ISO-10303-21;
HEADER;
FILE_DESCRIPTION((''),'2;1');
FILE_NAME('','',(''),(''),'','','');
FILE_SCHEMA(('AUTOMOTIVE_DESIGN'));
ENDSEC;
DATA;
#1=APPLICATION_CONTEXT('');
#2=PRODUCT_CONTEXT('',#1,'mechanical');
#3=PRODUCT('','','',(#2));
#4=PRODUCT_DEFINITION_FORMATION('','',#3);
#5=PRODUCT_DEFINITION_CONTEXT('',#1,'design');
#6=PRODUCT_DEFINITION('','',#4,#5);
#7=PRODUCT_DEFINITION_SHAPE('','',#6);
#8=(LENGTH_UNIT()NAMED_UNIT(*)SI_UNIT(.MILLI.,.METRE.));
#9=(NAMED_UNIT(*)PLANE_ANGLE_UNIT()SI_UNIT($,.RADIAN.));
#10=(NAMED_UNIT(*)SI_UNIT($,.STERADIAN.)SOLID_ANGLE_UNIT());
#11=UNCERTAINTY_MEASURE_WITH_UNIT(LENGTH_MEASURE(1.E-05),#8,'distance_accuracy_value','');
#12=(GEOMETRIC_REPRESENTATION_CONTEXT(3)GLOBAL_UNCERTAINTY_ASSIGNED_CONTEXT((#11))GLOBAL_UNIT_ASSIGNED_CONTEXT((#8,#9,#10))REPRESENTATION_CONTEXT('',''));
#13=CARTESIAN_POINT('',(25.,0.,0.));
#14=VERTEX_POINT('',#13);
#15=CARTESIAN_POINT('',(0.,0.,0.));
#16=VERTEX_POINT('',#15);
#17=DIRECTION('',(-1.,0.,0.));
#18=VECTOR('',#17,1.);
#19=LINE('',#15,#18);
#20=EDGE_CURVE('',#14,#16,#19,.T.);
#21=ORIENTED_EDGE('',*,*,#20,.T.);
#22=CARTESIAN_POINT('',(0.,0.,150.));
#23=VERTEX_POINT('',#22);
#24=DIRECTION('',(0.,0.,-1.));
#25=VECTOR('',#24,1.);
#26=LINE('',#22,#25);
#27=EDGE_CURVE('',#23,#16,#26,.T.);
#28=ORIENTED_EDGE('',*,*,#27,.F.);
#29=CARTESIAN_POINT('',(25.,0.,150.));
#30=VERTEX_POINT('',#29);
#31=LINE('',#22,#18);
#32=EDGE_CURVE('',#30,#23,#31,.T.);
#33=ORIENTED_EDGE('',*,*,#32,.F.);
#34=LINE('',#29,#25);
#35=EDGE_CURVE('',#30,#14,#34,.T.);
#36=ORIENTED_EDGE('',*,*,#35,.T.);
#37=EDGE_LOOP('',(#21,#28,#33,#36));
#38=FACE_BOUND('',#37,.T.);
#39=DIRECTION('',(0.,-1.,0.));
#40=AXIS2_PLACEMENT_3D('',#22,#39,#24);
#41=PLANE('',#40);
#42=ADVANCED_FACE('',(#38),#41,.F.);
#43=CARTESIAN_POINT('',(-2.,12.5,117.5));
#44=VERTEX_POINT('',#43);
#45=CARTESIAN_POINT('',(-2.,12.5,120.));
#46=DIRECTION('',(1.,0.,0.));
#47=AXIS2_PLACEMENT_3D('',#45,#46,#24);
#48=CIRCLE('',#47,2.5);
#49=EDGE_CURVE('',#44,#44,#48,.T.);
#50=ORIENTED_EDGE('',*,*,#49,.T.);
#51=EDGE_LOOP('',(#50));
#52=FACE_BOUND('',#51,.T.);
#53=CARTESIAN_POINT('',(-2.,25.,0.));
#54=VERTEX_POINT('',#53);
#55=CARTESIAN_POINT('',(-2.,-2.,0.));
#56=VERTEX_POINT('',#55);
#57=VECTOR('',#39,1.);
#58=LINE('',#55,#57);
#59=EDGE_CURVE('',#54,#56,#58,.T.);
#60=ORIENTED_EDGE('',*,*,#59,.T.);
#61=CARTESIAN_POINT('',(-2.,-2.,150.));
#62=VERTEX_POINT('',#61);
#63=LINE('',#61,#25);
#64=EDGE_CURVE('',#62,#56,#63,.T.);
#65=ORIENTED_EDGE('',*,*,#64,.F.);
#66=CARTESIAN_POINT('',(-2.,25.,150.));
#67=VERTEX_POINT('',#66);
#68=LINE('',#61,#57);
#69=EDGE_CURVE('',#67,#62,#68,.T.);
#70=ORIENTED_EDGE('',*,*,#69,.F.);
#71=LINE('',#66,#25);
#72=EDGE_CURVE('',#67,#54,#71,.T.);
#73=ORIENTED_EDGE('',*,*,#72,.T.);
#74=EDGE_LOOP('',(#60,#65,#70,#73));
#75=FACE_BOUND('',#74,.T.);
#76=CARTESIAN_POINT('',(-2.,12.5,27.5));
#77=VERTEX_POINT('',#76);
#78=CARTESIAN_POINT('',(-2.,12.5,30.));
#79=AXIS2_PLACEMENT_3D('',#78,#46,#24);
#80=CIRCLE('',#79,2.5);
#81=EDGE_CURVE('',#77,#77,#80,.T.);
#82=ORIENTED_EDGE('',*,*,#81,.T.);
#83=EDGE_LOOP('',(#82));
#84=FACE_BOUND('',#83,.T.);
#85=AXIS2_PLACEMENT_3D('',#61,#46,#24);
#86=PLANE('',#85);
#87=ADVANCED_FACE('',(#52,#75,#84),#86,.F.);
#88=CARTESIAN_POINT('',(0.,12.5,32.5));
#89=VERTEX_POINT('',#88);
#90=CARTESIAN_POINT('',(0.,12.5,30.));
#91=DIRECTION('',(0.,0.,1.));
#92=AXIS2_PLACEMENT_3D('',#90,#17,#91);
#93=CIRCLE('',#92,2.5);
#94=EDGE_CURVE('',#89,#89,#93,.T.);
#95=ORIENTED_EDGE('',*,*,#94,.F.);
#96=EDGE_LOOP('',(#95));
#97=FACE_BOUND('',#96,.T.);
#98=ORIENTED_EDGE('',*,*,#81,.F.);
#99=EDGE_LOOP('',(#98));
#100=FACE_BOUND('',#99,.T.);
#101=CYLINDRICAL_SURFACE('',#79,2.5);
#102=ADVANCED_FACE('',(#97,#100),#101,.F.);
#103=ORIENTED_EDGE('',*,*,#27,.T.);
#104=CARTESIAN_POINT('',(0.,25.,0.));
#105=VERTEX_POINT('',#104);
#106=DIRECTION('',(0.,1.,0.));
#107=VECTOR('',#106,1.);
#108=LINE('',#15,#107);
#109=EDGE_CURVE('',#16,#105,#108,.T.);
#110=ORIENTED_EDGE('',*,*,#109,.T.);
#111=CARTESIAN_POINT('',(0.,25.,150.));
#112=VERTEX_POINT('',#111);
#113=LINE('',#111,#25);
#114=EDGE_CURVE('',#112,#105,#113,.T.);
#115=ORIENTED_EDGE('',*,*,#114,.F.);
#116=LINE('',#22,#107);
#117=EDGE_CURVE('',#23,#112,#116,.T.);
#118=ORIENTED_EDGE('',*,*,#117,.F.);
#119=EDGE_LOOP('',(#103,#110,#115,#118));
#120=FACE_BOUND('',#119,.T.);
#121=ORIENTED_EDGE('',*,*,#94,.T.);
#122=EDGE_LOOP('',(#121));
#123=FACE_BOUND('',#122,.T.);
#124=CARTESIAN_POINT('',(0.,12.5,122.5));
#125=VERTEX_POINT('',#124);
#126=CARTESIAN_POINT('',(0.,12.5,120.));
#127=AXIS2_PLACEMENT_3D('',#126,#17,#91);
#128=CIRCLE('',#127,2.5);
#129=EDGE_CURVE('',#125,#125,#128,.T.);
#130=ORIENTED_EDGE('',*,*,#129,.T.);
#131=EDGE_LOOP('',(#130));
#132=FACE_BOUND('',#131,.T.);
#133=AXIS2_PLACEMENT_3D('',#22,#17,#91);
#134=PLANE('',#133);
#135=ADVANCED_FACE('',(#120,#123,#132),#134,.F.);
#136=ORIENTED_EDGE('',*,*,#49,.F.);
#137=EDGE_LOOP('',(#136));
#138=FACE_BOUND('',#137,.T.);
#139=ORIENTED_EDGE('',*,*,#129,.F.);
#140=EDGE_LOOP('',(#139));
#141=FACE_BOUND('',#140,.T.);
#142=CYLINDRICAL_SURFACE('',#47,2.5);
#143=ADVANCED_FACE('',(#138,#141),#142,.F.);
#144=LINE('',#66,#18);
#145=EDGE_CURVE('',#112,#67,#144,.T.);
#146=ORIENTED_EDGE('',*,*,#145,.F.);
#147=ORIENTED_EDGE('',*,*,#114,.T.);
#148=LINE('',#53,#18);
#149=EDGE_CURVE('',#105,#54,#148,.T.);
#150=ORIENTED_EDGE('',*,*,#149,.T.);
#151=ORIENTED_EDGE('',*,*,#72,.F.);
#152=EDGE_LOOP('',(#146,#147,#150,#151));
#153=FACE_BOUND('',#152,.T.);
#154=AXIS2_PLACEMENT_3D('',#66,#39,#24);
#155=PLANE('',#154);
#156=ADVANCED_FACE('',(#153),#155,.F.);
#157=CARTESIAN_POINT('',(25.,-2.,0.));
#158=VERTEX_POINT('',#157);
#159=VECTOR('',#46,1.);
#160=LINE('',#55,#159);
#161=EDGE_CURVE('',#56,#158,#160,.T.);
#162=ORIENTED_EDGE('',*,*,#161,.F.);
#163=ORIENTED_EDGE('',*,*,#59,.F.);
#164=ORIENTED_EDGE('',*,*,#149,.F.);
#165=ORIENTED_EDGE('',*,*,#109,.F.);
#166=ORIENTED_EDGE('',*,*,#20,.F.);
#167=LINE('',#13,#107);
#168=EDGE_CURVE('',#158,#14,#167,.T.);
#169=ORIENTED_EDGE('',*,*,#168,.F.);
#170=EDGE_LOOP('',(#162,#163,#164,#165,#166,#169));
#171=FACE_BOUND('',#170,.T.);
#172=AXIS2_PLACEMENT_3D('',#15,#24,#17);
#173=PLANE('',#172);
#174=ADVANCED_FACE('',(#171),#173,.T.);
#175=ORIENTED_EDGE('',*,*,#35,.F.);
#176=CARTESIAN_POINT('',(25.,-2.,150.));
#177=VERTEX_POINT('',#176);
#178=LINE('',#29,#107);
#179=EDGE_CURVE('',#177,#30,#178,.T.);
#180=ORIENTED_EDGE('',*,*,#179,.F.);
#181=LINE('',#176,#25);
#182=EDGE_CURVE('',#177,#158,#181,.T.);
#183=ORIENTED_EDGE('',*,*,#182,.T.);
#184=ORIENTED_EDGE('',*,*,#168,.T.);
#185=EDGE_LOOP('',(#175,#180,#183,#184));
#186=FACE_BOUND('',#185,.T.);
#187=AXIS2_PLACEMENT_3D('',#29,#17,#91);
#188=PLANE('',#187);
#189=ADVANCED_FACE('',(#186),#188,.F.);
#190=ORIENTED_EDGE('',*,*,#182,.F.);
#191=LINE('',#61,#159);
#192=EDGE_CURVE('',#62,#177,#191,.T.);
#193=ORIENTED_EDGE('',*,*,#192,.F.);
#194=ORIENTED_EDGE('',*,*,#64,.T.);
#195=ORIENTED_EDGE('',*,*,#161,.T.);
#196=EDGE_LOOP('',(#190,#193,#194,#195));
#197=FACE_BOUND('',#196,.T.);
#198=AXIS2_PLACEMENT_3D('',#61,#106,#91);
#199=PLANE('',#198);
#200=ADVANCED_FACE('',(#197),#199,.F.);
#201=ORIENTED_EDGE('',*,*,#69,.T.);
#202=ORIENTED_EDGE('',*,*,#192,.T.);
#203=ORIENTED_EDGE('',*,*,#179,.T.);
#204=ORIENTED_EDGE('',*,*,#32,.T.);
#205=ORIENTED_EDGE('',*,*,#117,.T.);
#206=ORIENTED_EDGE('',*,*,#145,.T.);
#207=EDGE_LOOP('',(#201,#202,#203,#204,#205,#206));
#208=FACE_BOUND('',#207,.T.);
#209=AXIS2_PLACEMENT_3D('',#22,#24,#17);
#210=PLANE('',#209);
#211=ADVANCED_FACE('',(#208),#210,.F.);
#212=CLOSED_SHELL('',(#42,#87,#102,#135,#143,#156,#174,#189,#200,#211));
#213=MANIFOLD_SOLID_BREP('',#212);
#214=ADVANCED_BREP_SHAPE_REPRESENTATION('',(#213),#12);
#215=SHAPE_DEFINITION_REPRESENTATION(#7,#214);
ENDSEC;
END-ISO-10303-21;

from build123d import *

# Parameters (mm, degrees)
BOSS_EXTRUDE1_DEPTH     = 150
CUT_EXTRUDE1_DEPTH      = 155.110350074
CUT_EXTRUDE1_DEPTH_BACK = 155.110350074
SKETCH2_R               = 2.5


with BuildPart() as part:
    # Sketch1 → Boss-Extrude1 (new body)
    with BuildSketch(Plane.XY):
        Polygon((0, 0), (25, 0), (25, -2), (-2, -2), (-2, 25), (0, 25), align=None)
    extrude(amount=BOSS_EXTRUDE1_DEPTH)

    # Sketch2 → Cut-Extrude1 (cut, two sides: drawn at the far end of the back side and taken through both)
    with BuildSketch(Plane(origin=(0, 0, 0), x_dir=(0, 0, -1), z_dir=(1, 0, 0)).offset(-CUT_EXTRUDE1_DEPTH_BACK)):
        with Locations((-120, 12.5)):
            Circle(SKETCH2_R)
        with Locations((-30, 12.5)):
            Circle(SKETCH2_R)
    extrude(amount=CUT_EXTRUDE1_DEPTH + CUT_EXTRUDE1_DEPTH_BACK, mode=Mode.SUBTRACT)


solid = part.part
